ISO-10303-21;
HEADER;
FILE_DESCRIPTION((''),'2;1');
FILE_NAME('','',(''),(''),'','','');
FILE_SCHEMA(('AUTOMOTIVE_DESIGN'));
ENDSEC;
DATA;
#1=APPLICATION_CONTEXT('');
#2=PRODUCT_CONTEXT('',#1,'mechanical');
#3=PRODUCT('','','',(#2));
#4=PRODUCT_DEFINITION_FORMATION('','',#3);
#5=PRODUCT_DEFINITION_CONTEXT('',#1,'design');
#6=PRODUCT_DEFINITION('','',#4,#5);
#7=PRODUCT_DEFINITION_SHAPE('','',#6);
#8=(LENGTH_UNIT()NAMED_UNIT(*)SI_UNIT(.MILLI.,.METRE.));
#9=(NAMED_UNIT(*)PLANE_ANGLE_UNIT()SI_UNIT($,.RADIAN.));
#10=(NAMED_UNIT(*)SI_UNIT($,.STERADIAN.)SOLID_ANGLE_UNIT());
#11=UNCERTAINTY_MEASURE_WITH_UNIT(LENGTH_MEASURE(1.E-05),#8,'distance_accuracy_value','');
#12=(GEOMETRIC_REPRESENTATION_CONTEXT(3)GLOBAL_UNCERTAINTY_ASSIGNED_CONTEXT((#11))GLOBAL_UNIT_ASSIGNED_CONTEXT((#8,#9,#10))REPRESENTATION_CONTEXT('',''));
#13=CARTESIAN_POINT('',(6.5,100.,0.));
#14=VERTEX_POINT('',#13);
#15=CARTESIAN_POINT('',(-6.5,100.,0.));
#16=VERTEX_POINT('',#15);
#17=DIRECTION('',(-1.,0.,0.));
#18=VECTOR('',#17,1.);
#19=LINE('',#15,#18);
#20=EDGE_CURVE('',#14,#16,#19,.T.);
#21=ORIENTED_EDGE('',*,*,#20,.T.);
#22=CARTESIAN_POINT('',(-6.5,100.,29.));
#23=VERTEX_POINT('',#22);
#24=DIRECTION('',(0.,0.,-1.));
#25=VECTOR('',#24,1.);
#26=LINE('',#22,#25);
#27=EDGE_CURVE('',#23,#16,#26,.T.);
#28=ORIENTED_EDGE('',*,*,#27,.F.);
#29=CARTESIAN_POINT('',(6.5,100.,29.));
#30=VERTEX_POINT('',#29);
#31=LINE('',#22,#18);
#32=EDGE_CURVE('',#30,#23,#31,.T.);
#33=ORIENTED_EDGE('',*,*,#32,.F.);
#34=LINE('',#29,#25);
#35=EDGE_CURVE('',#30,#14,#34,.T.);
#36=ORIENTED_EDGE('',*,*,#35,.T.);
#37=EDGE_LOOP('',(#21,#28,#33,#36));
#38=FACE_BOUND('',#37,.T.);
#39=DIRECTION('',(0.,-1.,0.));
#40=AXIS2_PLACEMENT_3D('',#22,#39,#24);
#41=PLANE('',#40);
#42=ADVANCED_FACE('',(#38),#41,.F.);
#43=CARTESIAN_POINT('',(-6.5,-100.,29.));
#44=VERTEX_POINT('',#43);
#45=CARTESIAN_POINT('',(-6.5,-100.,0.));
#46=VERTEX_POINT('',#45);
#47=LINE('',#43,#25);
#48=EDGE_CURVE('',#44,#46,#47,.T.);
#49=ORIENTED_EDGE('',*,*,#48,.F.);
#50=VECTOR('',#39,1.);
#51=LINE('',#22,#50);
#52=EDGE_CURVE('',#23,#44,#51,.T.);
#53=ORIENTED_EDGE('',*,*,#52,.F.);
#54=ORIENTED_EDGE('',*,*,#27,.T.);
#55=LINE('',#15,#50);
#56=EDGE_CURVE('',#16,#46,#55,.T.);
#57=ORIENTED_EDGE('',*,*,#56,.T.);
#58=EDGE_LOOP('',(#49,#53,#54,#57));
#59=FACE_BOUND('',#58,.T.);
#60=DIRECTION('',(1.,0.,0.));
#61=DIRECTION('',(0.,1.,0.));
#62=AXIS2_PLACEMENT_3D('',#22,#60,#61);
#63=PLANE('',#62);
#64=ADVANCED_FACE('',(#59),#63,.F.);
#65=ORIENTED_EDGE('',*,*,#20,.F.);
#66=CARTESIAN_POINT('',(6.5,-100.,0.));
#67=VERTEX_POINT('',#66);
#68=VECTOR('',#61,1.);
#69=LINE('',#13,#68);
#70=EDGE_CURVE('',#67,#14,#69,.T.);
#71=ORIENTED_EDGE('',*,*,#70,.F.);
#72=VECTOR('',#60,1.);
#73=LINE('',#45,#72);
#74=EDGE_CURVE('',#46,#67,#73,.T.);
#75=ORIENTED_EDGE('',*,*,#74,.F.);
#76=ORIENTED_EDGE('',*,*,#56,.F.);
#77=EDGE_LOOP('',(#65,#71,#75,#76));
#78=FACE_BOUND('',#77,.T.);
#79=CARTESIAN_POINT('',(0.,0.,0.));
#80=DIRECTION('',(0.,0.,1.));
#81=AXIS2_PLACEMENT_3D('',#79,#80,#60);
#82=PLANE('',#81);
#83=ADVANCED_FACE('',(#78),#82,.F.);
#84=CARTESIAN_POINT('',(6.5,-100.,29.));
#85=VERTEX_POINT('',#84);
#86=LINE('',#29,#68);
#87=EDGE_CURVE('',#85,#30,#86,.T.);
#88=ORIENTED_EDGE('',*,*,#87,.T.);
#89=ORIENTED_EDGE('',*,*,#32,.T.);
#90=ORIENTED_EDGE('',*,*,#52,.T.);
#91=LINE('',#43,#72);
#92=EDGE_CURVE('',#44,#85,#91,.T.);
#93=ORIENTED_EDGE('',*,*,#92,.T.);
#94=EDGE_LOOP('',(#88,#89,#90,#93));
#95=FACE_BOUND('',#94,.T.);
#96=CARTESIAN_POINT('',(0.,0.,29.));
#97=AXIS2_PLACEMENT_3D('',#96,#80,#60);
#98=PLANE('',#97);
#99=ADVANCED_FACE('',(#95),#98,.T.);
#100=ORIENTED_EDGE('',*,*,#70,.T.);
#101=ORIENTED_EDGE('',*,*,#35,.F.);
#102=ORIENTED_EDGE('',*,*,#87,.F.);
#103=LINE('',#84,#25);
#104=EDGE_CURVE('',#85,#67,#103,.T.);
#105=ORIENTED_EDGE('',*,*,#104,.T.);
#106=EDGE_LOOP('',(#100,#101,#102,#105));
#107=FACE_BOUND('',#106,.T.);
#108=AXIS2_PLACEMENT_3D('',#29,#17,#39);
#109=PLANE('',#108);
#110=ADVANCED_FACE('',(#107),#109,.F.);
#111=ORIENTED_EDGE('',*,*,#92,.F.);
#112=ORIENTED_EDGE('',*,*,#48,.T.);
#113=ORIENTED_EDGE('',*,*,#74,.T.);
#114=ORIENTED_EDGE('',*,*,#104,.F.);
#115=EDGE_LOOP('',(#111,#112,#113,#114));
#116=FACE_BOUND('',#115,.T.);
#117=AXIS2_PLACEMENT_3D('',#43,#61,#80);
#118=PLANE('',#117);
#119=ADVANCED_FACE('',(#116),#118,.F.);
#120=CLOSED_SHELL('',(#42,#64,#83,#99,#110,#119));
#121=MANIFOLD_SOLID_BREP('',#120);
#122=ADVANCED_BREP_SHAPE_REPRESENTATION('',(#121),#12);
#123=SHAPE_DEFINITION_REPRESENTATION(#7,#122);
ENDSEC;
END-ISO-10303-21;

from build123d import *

# Parameters (mm, degrees)
SKETCH1_W           = 13
SKETCH1_H           = 200
BOSS_EXTRUDE1_DEPTH = 29


with BuildPart() as part:
    # Sketch1 → Boss-Extrude1 (new body)
    with BuildSketch(Plane.XY):
        Rectangle(SKETCH1_W, SKETCH1_H)
    extrude(amount=BOSS_EXTRUDE1_DEPTH)


solid = part.part
